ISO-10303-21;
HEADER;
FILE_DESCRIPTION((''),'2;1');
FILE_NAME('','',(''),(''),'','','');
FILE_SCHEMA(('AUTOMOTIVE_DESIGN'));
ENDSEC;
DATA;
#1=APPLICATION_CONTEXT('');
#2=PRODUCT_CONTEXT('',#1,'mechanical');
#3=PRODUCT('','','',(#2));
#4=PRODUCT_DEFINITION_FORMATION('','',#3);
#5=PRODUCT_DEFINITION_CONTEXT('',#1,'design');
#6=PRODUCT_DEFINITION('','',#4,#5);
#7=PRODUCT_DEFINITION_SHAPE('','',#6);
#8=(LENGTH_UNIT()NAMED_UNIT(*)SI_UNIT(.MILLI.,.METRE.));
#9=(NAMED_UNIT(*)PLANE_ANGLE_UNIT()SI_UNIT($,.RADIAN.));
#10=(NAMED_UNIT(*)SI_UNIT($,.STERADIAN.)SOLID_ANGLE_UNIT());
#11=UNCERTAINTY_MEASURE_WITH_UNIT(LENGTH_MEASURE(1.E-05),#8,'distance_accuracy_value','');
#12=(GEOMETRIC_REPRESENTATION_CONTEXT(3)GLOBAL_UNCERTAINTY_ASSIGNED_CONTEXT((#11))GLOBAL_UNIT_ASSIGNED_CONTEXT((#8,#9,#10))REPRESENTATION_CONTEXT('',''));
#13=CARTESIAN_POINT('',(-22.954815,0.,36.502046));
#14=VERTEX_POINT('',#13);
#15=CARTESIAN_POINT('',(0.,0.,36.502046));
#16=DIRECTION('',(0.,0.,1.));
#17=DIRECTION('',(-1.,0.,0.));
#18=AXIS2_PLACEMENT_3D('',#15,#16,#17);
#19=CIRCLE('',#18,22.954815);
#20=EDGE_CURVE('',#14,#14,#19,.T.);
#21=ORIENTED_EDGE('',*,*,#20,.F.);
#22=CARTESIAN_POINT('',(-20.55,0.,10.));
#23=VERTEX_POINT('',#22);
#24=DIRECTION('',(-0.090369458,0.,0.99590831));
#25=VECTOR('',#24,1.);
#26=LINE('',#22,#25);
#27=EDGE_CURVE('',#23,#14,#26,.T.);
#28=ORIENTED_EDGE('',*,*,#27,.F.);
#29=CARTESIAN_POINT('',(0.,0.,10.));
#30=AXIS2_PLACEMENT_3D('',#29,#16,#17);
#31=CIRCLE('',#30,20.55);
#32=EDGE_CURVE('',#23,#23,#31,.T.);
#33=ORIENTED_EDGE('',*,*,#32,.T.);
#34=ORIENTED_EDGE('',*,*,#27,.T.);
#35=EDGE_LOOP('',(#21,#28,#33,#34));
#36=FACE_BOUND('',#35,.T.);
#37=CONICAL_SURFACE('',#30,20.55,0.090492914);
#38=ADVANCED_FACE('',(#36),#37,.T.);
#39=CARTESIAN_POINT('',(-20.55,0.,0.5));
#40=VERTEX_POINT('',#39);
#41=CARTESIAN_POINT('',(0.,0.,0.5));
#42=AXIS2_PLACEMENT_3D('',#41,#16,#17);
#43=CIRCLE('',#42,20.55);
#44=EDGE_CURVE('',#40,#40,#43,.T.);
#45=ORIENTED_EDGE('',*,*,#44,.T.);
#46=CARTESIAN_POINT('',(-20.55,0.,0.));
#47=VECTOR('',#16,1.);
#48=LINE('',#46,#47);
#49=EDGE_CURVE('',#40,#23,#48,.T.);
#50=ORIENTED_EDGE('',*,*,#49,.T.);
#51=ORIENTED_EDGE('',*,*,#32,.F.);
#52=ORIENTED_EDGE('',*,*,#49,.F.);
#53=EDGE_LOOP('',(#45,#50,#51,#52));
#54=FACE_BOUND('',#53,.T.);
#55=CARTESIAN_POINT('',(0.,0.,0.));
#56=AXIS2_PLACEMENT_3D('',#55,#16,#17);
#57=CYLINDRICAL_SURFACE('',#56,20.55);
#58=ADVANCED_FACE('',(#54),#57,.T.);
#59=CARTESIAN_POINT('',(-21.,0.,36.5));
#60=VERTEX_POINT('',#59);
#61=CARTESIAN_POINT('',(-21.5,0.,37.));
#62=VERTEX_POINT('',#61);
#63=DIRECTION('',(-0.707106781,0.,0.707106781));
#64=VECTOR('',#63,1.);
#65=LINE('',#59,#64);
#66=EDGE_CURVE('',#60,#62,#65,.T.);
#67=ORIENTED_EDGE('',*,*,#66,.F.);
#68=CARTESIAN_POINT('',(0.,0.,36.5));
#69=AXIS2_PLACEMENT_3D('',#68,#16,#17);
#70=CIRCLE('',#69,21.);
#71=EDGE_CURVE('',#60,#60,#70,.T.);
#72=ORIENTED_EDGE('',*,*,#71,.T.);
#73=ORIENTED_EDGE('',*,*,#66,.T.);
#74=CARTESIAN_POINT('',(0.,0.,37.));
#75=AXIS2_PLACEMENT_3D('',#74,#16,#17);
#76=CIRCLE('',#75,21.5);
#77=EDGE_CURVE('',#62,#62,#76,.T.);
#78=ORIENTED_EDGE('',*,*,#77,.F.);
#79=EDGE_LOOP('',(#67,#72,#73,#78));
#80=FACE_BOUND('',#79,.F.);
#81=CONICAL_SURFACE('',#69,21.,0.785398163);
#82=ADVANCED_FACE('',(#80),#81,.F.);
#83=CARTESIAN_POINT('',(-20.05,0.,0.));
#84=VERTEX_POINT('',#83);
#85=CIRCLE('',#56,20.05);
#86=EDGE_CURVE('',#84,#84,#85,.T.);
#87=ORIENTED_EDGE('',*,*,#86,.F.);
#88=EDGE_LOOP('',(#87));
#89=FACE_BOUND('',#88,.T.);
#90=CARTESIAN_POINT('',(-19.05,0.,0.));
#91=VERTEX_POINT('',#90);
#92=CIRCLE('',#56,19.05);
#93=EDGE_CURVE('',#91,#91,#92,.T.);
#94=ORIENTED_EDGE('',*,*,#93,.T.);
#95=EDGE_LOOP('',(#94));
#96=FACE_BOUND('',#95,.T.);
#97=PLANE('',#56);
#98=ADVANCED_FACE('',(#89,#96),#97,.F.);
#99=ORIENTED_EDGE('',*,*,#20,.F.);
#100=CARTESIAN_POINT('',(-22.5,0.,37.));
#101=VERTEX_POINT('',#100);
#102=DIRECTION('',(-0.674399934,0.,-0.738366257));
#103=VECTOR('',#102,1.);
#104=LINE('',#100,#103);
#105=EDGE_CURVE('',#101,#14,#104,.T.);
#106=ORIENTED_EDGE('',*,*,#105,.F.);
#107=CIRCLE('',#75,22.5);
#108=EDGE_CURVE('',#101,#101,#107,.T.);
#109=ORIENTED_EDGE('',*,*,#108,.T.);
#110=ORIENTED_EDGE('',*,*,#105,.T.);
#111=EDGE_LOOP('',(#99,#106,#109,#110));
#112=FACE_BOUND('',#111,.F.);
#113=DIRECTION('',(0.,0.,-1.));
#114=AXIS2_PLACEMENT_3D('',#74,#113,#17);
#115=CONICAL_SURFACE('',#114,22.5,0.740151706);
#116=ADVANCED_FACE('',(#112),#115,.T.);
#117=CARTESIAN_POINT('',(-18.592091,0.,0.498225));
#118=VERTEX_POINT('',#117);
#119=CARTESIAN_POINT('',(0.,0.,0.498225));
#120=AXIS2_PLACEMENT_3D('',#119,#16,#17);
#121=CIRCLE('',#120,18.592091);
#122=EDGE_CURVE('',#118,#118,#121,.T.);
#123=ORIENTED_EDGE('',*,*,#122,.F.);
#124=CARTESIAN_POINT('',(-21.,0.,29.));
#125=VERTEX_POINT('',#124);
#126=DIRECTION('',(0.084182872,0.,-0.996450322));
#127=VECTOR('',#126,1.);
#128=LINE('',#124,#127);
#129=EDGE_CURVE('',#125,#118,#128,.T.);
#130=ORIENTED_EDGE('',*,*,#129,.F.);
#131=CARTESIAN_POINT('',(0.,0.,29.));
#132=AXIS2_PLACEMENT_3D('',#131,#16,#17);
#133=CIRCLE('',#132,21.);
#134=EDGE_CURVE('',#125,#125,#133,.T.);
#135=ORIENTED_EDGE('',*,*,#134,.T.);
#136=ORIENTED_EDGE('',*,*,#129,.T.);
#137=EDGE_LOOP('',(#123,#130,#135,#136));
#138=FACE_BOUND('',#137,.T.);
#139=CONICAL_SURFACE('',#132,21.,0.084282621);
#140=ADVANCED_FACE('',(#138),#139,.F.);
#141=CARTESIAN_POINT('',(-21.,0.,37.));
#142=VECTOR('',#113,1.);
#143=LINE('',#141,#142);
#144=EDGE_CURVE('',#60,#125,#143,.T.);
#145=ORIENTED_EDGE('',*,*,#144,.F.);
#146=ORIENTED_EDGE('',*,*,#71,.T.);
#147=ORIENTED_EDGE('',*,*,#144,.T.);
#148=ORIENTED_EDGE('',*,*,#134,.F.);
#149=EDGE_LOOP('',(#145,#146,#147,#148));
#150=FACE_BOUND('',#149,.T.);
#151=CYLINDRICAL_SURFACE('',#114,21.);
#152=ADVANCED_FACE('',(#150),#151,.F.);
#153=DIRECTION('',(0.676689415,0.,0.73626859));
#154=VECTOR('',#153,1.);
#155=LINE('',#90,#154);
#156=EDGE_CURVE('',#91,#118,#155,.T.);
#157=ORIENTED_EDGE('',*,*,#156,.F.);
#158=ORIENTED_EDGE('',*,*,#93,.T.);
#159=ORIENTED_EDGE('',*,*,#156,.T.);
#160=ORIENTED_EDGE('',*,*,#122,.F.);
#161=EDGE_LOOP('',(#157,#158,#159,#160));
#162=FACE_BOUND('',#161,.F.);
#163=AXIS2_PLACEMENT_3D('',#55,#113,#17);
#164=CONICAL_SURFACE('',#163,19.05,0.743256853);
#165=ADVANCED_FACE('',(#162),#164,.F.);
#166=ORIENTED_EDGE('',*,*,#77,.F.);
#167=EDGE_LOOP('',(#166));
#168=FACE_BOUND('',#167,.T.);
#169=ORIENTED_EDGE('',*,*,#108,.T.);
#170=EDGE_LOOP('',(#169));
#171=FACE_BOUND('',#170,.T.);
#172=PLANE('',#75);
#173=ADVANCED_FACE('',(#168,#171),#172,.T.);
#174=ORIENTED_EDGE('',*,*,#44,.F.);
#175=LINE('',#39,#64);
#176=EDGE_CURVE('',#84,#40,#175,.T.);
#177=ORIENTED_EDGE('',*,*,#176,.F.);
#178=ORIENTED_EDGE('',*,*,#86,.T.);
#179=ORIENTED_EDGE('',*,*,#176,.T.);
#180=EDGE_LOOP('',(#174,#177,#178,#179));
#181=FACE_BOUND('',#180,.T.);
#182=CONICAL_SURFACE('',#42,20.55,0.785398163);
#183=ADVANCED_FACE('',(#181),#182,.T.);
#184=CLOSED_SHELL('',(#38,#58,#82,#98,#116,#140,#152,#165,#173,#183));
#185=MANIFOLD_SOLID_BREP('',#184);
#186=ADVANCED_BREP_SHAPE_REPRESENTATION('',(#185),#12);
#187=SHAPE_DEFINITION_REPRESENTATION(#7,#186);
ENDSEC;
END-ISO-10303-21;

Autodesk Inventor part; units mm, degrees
ref_plane "YZ Plane" through (0, 0, 0) normal (1, 0, 0) x (0, 1, 0)
ref_plane "XZ Plane" through (0, 0, 0) normal (0, 1, 0) x (-1, 0, 0)
ref_plane "XY Plane" through (0, 0, 0) normal (0, 0, 1) x (1, 0, 0)
sketch "Sketch1" plane through (0, 0, 0) normal (0, 1, 0) x (-1, 0, 0)
  line L0 (0, 0) -> (0, 37)
  line L1 (20.55, 0) -> (20.55, 10)
  line L2 (20.55, 10) -> (23, 37)
  line L3 (23, 37) -> (21, 37)
  line L4 (18.55, 0) -> (20.55, 0)
  line L5 (0, 0) -> (18.55, 0) construction
  line L6 (21, 37) -> (0, 37) construction
  line L7 (21, 37) -> (21, 29)
  line L8 (21, 29) -> (18.55, 0)
  dimension "d0" = 41.1
  dimension "d1" = 42
  dimension "d2" = 37
  dimension "d3" = 10
  dimension "d4" = 8
  dimension "d11" = 2
  dimension "d12" = 2
revolve "Revolution1" add sketch "Sketch1" angle 360 about axis through (0, 0, 0) along (0, 0, 1)
chamfer "Chamfer1" distance 0.5 angle 45 4 edges at (20.55, 0, 0) (18.55, 0, 0) (23, 0, 37) (21, 0, 37)
properties part number "Takumar-to-RisingCam" material "ABS Plastic"
